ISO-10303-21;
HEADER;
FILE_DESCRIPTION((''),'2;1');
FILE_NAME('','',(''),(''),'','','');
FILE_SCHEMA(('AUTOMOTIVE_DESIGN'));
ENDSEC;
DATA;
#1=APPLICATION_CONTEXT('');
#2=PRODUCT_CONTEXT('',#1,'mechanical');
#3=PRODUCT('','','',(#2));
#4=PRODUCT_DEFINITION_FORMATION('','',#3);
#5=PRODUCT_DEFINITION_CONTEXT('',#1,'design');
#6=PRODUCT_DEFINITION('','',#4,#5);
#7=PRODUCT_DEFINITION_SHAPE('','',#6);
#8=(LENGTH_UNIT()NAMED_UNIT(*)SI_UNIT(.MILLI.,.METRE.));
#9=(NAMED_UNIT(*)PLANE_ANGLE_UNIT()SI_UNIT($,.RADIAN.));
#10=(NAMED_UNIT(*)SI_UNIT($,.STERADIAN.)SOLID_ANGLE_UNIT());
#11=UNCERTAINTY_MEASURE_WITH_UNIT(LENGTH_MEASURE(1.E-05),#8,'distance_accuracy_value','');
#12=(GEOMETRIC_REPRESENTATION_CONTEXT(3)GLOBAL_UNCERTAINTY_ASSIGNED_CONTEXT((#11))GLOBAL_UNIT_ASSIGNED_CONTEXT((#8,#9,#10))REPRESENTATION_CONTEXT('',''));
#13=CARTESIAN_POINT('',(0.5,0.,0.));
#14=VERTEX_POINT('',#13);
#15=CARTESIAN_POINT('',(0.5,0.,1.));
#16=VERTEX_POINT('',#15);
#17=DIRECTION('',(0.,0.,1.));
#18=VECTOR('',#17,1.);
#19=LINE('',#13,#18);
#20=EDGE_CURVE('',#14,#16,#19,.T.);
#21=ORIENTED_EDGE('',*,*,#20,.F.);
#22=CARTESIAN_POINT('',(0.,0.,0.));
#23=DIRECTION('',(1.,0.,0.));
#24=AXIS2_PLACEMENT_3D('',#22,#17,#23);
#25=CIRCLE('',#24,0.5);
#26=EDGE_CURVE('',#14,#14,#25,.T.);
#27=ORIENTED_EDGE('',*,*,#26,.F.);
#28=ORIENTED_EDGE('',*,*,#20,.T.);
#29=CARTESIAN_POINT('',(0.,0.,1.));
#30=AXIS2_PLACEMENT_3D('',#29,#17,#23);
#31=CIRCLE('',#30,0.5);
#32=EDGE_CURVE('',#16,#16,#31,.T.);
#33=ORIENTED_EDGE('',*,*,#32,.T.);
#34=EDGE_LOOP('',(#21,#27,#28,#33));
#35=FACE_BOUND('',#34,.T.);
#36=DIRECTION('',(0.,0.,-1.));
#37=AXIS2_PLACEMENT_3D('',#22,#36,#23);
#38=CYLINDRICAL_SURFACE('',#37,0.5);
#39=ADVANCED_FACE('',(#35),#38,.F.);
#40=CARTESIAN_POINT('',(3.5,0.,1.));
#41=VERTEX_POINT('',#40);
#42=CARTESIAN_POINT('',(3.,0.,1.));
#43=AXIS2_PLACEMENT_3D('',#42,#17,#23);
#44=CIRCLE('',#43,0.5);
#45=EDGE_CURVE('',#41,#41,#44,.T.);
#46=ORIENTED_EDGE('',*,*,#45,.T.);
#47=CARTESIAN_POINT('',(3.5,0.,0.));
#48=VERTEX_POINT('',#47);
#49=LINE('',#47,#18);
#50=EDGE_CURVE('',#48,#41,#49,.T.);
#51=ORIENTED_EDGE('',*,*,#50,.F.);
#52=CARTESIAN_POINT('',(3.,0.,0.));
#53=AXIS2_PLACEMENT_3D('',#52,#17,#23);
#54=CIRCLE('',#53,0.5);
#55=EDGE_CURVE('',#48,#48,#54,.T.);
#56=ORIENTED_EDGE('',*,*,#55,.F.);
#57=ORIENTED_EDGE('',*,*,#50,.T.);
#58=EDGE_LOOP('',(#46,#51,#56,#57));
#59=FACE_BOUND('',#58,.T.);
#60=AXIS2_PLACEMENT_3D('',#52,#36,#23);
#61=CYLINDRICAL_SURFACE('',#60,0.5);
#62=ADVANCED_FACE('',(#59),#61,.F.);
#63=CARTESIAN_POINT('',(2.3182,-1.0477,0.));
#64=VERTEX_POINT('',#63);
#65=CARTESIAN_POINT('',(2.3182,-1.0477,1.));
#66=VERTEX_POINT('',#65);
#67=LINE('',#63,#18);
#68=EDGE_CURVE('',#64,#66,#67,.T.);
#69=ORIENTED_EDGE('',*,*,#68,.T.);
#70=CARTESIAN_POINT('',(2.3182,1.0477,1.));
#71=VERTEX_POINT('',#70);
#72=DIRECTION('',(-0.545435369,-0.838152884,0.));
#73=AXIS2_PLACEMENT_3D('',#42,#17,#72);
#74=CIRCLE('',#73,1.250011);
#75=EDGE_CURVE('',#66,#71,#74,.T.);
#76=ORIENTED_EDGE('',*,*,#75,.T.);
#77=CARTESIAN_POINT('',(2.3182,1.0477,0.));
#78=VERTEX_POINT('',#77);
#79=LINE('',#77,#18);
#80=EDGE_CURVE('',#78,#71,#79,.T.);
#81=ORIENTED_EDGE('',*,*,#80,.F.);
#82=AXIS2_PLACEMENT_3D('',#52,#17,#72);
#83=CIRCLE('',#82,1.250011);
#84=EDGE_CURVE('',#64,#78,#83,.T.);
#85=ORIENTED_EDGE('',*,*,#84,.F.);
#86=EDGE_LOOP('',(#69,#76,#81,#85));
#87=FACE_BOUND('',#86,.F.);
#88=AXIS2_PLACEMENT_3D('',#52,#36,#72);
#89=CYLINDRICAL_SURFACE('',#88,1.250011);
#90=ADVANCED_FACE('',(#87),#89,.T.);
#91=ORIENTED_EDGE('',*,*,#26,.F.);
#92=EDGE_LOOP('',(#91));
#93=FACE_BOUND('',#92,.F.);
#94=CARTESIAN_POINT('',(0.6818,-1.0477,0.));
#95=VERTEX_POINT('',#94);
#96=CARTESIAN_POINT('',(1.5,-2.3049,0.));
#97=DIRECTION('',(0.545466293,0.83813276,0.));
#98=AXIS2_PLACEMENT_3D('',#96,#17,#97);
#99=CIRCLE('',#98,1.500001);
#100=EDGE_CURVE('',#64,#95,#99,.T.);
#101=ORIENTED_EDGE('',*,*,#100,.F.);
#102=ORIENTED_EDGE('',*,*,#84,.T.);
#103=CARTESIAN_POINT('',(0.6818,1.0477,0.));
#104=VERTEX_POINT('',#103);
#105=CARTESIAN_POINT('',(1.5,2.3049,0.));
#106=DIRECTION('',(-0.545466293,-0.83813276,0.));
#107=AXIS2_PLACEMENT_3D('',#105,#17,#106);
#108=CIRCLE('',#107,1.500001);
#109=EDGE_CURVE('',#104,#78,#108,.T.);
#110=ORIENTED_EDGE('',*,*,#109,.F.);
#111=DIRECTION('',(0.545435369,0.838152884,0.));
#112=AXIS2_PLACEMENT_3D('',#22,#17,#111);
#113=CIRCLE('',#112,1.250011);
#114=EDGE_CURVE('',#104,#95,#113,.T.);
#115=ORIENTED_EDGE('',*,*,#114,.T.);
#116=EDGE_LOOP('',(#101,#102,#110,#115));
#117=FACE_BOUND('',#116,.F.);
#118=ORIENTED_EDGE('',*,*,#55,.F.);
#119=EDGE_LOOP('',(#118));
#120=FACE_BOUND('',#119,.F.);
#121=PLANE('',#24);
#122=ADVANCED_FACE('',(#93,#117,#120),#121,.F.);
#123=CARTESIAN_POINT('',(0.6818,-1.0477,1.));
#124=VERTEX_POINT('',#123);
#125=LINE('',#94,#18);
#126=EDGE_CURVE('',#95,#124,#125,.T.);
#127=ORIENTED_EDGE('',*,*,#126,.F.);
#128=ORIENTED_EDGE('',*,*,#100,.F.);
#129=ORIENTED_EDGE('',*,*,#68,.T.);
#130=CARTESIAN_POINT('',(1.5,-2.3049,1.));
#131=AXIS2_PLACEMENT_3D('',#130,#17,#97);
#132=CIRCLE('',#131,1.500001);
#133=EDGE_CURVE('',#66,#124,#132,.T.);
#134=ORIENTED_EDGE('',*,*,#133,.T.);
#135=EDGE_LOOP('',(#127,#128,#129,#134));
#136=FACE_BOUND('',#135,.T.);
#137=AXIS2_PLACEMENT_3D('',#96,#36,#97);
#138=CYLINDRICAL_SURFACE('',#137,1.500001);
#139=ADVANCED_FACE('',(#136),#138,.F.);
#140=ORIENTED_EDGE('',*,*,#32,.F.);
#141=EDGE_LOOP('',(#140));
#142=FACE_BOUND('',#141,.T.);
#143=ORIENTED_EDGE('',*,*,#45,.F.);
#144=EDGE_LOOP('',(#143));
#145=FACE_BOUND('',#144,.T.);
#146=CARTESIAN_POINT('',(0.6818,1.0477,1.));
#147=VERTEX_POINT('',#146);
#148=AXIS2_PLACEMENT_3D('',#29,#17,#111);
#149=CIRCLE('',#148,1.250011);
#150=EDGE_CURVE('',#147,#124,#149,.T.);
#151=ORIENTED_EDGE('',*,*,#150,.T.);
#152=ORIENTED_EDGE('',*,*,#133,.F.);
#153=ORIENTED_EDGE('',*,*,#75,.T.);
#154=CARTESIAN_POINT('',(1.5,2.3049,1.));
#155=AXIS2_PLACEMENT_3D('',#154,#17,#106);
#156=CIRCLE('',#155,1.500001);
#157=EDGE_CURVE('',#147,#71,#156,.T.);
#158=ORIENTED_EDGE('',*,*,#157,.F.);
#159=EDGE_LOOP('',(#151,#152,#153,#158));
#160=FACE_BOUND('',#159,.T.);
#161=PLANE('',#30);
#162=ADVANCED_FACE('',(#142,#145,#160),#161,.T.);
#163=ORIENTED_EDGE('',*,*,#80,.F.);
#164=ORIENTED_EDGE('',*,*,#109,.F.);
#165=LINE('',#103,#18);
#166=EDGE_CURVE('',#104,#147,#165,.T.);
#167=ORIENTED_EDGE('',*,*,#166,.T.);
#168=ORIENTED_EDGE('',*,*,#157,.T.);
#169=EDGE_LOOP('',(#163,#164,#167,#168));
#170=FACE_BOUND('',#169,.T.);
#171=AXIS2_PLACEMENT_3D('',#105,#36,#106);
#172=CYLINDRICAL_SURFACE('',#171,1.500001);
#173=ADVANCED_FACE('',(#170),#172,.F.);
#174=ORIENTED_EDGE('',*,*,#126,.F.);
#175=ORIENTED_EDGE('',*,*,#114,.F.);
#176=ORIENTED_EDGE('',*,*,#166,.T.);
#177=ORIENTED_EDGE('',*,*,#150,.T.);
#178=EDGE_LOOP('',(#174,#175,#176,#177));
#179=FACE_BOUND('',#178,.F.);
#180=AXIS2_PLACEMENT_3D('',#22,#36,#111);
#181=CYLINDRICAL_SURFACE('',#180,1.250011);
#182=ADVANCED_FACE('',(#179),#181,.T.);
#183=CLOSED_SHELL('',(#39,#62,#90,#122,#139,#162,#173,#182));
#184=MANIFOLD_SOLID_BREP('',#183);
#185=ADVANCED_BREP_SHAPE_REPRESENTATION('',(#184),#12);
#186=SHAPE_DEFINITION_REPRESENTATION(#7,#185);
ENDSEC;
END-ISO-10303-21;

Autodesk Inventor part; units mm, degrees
ref_plane "YZ Plane" through (0, 0, 0) normal (1, 0, 0) x (0, 1, 0)
ref_plane "XZ Plane" through (0, 0, 0) normal (0, 1, 0) x (-1, 0, 0)
ref_plane "XY Plane" through (0, 0, 0) normal (0, 0, 1) x (1, 0, 0)
sketch "Body" plane through (0, 0, 0) normal (0, 0, 1) x (1, 0, 0)
  circle A0 centre (0, 0) radius 0.5
  line L0 (0, 0) -> (3, 0) construction
  circle A1 centre (3, 0) radius 0.5
  arc A2 (0.6818, 1.0477) -> (0.6818, -1.0477) centre (0, 0) ccw
  arc A3 (2.3182, -1.0477) -> (2.3182, 1.0477) centre (3, 0) ccw
  arc A4 (0.6818, 1.0477) -> (2.3182, 1.0477) centre (1.5, 2.3049) ccw
  arc A5 (2.3182, -1.0477) -> (0.6818, -1.0477) centre (1.5, -2.3049) ccw
  dimension "d0" = 1
  dimension "d1" = 3
  dimension "d2" = 1
  dimension "d3" = 2.5
  dimension "d5" = 1.5
extrude "BodyFeature" add sketch "Body" along normal blind 1
properties part number "ChainLink"
